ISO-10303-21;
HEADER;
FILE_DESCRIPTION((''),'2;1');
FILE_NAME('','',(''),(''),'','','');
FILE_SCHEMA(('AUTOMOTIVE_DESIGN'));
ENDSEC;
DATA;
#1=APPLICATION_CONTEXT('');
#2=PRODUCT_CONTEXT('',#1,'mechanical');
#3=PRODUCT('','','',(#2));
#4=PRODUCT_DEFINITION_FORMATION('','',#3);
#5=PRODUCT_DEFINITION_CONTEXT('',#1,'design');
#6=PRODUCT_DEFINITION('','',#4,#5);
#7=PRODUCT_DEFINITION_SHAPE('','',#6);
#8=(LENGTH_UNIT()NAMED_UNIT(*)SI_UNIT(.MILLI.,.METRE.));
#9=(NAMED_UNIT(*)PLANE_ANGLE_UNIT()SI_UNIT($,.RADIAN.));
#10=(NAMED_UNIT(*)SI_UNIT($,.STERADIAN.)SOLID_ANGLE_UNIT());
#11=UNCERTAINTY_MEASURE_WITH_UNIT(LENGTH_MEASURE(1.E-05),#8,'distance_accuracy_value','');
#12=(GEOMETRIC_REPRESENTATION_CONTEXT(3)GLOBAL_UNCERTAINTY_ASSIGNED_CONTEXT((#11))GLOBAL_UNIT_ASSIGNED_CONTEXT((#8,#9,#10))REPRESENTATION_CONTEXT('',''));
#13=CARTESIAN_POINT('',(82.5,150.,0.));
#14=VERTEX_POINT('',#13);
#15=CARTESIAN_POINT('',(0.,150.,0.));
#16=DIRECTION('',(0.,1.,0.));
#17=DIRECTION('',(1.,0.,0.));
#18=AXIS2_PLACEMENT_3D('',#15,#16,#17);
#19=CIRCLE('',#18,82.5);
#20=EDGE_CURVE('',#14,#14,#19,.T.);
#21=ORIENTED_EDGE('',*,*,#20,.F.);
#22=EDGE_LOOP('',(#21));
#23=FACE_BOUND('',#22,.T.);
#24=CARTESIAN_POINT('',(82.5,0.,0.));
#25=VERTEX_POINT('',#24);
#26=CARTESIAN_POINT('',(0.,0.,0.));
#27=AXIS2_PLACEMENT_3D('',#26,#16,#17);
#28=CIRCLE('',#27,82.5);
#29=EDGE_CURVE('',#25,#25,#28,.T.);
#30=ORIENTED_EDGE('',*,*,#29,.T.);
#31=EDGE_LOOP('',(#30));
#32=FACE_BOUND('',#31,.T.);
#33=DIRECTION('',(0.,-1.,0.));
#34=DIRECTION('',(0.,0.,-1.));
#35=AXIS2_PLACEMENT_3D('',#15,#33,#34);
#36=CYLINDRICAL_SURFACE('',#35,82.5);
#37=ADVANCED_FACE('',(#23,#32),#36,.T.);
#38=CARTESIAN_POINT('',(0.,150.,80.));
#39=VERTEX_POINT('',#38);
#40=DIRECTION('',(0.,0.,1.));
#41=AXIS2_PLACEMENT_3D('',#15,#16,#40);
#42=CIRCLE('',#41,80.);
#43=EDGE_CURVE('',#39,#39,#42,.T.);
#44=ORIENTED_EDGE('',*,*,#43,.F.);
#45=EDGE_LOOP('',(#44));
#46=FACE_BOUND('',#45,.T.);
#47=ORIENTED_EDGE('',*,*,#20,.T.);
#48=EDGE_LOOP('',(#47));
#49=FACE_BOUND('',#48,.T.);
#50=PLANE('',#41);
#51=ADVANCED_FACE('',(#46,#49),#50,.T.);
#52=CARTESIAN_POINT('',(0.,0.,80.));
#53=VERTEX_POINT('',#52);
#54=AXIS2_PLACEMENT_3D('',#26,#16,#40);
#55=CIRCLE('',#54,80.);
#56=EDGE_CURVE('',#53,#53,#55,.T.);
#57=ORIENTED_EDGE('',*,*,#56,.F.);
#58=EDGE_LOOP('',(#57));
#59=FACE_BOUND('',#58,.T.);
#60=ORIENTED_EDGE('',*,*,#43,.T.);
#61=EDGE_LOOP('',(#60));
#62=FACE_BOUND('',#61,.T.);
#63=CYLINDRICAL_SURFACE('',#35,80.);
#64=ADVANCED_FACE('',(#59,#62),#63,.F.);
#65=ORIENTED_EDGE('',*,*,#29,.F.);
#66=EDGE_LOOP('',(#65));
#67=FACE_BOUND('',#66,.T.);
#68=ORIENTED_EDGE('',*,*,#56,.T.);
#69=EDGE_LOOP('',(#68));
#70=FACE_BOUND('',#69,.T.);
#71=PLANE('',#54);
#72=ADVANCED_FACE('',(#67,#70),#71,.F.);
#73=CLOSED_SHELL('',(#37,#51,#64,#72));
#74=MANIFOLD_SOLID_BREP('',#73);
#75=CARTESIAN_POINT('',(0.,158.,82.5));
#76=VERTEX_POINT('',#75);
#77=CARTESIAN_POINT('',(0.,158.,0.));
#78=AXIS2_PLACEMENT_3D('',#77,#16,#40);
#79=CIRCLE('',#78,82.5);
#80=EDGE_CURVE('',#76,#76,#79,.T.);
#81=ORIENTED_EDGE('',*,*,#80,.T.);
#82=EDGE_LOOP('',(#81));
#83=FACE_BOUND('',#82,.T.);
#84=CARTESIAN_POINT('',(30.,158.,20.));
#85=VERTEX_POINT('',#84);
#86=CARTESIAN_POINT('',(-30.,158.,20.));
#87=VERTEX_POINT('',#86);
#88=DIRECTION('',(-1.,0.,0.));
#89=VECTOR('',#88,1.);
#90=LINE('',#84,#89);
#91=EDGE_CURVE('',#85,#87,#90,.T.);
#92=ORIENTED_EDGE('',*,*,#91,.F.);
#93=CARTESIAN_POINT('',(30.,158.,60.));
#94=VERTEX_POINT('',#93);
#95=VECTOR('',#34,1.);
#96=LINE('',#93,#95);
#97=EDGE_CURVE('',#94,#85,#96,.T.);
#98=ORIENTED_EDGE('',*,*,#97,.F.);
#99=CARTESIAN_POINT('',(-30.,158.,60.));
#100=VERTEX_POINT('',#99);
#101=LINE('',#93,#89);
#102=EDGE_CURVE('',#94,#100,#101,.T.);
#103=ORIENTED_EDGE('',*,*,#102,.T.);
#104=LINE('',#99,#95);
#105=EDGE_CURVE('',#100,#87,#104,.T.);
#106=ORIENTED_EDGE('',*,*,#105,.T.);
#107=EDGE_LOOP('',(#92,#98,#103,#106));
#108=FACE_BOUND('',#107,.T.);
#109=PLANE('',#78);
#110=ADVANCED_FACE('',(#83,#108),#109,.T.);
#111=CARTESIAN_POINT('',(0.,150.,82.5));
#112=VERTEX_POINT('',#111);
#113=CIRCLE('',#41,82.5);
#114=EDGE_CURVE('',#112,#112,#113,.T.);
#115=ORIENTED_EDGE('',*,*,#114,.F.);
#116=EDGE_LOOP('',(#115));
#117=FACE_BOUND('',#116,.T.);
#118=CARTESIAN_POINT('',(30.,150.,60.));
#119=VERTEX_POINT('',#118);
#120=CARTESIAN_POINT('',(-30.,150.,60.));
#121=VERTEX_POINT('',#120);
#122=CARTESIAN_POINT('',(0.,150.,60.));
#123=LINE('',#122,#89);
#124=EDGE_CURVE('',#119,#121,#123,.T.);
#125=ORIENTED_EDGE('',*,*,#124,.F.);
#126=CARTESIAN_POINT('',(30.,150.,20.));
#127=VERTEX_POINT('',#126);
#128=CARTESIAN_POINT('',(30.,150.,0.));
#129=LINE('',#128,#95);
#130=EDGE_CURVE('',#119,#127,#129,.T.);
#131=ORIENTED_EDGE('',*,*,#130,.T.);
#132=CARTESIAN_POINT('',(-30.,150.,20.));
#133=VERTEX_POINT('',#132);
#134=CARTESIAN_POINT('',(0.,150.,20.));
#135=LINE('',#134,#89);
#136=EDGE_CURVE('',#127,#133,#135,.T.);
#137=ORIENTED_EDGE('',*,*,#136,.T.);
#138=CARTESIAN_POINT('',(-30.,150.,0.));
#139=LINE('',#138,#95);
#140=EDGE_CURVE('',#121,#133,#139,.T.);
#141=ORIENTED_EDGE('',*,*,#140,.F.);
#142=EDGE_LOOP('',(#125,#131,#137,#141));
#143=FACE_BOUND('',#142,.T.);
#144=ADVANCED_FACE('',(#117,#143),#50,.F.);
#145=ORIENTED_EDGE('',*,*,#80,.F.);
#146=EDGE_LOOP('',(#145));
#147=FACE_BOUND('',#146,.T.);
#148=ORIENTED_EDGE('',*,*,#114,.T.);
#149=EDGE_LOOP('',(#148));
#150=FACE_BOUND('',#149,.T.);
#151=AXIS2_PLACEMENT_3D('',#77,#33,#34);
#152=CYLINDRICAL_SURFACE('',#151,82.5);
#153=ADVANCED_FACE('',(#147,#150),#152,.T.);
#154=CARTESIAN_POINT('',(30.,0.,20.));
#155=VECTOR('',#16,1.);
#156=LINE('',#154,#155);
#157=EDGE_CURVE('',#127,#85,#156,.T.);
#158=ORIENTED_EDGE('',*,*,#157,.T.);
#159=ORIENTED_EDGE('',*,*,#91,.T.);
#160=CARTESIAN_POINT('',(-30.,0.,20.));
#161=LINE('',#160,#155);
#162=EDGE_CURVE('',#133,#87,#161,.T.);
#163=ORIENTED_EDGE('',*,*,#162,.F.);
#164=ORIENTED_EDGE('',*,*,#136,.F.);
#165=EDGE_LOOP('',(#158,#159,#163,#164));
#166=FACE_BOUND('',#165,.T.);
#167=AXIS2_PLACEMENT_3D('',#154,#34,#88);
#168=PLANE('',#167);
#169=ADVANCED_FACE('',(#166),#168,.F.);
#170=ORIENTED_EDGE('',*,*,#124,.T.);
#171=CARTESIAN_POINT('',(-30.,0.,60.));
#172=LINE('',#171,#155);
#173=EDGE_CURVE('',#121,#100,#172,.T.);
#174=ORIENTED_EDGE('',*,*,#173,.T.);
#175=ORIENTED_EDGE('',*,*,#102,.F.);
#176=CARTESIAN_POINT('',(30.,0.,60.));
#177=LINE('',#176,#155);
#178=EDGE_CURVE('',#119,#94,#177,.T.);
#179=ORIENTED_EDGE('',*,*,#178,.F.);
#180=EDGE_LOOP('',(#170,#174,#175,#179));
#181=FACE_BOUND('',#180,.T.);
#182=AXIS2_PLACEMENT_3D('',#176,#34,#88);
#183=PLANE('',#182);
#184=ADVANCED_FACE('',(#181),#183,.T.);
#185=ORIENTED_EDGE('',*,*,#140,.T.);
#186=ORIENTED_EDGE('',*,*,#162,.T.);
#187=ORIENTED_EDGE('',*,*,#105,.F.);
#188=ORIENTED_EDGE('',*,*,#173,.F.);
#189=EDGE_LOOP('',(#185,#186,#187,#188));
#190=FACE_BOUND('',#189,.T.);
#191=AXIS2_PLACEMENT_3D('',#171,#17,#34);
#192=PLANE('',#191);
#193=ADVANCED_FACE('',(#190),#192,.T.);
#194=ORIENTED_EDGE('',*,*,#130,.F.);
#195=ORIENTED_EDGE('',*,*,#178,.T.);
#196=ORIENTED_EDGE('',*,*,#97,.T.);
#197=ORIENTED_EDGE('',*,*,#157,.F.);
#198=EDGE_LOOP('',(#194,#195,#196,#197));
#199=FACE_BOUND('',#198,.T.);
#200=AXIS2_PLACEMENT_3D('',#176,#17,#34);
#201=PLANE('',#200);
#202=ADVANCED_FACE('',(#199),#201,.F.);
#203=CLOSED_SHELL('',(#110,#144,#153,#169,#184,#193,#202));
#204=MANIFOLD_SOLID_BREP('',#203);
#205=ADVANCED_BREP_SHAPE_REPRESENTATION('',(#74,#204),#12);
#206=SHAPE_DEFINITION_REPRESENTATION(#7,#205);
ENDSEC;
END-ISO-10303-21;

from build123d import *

# Parameters (mm, degrees)
SKETCH1_R           = 82.5
SKETCH1_R_2         = 80
EXTRUDE_THIN1_DEPTH = 150
SKETCH2_R           = 82.5
BOSS_EXTRUDE1_DEPTH = 8
SKETCH3_W           = 60
SKETCH3_H           = 40
CUT_EXTRUDE1_DEPTH  = 197.409012013


with BuildPart() as part:
    # Sketch1 → Extrude-Thin1 (new body)
    with BuildSketch(Plane(origin=(0, 0, 0), x_dir=(1, 0, 0), z_dir=(0, 1, 0))):
        Circle(SKETCH1_R)
        Circle(SKETCH1_R_2, mode=Mode.SUBTRACT)
    extrude(amount=EXTRUDE_THIN1_DEPTH)


with BuildPart() as body_2:
    # Sketch2 → Boss-Extrude1 (new body)
    with BuildSketch(Plane(origin=(0, 150, 0), x_dir=(1, 0, 0), z_dir=(0, 1, 0))):
        with Locations(Location((0, 0, 0), (0, 0, 270))):
            Circle(SKETCH2_R)
    extrude(amount=BOSS_EXTRUDE1_DEPTH)

    # Sketch3 → Cut-Extrude1 (cut, through all)
    with BuildSketch(Plane(origin=(0, 158, 0), x_dir=(1, 0, 0), z_dir=(0, 1, 0))):
        with Locations((0, -40)):
            Rectangle(SKETCH3_W, SKETCH3_H)
    extrude(amount=-CUT_EXTRUDE1_DEPTH, mode=Mode.SUBTRACT)


solid = Compound([part.part, body_2.part])
